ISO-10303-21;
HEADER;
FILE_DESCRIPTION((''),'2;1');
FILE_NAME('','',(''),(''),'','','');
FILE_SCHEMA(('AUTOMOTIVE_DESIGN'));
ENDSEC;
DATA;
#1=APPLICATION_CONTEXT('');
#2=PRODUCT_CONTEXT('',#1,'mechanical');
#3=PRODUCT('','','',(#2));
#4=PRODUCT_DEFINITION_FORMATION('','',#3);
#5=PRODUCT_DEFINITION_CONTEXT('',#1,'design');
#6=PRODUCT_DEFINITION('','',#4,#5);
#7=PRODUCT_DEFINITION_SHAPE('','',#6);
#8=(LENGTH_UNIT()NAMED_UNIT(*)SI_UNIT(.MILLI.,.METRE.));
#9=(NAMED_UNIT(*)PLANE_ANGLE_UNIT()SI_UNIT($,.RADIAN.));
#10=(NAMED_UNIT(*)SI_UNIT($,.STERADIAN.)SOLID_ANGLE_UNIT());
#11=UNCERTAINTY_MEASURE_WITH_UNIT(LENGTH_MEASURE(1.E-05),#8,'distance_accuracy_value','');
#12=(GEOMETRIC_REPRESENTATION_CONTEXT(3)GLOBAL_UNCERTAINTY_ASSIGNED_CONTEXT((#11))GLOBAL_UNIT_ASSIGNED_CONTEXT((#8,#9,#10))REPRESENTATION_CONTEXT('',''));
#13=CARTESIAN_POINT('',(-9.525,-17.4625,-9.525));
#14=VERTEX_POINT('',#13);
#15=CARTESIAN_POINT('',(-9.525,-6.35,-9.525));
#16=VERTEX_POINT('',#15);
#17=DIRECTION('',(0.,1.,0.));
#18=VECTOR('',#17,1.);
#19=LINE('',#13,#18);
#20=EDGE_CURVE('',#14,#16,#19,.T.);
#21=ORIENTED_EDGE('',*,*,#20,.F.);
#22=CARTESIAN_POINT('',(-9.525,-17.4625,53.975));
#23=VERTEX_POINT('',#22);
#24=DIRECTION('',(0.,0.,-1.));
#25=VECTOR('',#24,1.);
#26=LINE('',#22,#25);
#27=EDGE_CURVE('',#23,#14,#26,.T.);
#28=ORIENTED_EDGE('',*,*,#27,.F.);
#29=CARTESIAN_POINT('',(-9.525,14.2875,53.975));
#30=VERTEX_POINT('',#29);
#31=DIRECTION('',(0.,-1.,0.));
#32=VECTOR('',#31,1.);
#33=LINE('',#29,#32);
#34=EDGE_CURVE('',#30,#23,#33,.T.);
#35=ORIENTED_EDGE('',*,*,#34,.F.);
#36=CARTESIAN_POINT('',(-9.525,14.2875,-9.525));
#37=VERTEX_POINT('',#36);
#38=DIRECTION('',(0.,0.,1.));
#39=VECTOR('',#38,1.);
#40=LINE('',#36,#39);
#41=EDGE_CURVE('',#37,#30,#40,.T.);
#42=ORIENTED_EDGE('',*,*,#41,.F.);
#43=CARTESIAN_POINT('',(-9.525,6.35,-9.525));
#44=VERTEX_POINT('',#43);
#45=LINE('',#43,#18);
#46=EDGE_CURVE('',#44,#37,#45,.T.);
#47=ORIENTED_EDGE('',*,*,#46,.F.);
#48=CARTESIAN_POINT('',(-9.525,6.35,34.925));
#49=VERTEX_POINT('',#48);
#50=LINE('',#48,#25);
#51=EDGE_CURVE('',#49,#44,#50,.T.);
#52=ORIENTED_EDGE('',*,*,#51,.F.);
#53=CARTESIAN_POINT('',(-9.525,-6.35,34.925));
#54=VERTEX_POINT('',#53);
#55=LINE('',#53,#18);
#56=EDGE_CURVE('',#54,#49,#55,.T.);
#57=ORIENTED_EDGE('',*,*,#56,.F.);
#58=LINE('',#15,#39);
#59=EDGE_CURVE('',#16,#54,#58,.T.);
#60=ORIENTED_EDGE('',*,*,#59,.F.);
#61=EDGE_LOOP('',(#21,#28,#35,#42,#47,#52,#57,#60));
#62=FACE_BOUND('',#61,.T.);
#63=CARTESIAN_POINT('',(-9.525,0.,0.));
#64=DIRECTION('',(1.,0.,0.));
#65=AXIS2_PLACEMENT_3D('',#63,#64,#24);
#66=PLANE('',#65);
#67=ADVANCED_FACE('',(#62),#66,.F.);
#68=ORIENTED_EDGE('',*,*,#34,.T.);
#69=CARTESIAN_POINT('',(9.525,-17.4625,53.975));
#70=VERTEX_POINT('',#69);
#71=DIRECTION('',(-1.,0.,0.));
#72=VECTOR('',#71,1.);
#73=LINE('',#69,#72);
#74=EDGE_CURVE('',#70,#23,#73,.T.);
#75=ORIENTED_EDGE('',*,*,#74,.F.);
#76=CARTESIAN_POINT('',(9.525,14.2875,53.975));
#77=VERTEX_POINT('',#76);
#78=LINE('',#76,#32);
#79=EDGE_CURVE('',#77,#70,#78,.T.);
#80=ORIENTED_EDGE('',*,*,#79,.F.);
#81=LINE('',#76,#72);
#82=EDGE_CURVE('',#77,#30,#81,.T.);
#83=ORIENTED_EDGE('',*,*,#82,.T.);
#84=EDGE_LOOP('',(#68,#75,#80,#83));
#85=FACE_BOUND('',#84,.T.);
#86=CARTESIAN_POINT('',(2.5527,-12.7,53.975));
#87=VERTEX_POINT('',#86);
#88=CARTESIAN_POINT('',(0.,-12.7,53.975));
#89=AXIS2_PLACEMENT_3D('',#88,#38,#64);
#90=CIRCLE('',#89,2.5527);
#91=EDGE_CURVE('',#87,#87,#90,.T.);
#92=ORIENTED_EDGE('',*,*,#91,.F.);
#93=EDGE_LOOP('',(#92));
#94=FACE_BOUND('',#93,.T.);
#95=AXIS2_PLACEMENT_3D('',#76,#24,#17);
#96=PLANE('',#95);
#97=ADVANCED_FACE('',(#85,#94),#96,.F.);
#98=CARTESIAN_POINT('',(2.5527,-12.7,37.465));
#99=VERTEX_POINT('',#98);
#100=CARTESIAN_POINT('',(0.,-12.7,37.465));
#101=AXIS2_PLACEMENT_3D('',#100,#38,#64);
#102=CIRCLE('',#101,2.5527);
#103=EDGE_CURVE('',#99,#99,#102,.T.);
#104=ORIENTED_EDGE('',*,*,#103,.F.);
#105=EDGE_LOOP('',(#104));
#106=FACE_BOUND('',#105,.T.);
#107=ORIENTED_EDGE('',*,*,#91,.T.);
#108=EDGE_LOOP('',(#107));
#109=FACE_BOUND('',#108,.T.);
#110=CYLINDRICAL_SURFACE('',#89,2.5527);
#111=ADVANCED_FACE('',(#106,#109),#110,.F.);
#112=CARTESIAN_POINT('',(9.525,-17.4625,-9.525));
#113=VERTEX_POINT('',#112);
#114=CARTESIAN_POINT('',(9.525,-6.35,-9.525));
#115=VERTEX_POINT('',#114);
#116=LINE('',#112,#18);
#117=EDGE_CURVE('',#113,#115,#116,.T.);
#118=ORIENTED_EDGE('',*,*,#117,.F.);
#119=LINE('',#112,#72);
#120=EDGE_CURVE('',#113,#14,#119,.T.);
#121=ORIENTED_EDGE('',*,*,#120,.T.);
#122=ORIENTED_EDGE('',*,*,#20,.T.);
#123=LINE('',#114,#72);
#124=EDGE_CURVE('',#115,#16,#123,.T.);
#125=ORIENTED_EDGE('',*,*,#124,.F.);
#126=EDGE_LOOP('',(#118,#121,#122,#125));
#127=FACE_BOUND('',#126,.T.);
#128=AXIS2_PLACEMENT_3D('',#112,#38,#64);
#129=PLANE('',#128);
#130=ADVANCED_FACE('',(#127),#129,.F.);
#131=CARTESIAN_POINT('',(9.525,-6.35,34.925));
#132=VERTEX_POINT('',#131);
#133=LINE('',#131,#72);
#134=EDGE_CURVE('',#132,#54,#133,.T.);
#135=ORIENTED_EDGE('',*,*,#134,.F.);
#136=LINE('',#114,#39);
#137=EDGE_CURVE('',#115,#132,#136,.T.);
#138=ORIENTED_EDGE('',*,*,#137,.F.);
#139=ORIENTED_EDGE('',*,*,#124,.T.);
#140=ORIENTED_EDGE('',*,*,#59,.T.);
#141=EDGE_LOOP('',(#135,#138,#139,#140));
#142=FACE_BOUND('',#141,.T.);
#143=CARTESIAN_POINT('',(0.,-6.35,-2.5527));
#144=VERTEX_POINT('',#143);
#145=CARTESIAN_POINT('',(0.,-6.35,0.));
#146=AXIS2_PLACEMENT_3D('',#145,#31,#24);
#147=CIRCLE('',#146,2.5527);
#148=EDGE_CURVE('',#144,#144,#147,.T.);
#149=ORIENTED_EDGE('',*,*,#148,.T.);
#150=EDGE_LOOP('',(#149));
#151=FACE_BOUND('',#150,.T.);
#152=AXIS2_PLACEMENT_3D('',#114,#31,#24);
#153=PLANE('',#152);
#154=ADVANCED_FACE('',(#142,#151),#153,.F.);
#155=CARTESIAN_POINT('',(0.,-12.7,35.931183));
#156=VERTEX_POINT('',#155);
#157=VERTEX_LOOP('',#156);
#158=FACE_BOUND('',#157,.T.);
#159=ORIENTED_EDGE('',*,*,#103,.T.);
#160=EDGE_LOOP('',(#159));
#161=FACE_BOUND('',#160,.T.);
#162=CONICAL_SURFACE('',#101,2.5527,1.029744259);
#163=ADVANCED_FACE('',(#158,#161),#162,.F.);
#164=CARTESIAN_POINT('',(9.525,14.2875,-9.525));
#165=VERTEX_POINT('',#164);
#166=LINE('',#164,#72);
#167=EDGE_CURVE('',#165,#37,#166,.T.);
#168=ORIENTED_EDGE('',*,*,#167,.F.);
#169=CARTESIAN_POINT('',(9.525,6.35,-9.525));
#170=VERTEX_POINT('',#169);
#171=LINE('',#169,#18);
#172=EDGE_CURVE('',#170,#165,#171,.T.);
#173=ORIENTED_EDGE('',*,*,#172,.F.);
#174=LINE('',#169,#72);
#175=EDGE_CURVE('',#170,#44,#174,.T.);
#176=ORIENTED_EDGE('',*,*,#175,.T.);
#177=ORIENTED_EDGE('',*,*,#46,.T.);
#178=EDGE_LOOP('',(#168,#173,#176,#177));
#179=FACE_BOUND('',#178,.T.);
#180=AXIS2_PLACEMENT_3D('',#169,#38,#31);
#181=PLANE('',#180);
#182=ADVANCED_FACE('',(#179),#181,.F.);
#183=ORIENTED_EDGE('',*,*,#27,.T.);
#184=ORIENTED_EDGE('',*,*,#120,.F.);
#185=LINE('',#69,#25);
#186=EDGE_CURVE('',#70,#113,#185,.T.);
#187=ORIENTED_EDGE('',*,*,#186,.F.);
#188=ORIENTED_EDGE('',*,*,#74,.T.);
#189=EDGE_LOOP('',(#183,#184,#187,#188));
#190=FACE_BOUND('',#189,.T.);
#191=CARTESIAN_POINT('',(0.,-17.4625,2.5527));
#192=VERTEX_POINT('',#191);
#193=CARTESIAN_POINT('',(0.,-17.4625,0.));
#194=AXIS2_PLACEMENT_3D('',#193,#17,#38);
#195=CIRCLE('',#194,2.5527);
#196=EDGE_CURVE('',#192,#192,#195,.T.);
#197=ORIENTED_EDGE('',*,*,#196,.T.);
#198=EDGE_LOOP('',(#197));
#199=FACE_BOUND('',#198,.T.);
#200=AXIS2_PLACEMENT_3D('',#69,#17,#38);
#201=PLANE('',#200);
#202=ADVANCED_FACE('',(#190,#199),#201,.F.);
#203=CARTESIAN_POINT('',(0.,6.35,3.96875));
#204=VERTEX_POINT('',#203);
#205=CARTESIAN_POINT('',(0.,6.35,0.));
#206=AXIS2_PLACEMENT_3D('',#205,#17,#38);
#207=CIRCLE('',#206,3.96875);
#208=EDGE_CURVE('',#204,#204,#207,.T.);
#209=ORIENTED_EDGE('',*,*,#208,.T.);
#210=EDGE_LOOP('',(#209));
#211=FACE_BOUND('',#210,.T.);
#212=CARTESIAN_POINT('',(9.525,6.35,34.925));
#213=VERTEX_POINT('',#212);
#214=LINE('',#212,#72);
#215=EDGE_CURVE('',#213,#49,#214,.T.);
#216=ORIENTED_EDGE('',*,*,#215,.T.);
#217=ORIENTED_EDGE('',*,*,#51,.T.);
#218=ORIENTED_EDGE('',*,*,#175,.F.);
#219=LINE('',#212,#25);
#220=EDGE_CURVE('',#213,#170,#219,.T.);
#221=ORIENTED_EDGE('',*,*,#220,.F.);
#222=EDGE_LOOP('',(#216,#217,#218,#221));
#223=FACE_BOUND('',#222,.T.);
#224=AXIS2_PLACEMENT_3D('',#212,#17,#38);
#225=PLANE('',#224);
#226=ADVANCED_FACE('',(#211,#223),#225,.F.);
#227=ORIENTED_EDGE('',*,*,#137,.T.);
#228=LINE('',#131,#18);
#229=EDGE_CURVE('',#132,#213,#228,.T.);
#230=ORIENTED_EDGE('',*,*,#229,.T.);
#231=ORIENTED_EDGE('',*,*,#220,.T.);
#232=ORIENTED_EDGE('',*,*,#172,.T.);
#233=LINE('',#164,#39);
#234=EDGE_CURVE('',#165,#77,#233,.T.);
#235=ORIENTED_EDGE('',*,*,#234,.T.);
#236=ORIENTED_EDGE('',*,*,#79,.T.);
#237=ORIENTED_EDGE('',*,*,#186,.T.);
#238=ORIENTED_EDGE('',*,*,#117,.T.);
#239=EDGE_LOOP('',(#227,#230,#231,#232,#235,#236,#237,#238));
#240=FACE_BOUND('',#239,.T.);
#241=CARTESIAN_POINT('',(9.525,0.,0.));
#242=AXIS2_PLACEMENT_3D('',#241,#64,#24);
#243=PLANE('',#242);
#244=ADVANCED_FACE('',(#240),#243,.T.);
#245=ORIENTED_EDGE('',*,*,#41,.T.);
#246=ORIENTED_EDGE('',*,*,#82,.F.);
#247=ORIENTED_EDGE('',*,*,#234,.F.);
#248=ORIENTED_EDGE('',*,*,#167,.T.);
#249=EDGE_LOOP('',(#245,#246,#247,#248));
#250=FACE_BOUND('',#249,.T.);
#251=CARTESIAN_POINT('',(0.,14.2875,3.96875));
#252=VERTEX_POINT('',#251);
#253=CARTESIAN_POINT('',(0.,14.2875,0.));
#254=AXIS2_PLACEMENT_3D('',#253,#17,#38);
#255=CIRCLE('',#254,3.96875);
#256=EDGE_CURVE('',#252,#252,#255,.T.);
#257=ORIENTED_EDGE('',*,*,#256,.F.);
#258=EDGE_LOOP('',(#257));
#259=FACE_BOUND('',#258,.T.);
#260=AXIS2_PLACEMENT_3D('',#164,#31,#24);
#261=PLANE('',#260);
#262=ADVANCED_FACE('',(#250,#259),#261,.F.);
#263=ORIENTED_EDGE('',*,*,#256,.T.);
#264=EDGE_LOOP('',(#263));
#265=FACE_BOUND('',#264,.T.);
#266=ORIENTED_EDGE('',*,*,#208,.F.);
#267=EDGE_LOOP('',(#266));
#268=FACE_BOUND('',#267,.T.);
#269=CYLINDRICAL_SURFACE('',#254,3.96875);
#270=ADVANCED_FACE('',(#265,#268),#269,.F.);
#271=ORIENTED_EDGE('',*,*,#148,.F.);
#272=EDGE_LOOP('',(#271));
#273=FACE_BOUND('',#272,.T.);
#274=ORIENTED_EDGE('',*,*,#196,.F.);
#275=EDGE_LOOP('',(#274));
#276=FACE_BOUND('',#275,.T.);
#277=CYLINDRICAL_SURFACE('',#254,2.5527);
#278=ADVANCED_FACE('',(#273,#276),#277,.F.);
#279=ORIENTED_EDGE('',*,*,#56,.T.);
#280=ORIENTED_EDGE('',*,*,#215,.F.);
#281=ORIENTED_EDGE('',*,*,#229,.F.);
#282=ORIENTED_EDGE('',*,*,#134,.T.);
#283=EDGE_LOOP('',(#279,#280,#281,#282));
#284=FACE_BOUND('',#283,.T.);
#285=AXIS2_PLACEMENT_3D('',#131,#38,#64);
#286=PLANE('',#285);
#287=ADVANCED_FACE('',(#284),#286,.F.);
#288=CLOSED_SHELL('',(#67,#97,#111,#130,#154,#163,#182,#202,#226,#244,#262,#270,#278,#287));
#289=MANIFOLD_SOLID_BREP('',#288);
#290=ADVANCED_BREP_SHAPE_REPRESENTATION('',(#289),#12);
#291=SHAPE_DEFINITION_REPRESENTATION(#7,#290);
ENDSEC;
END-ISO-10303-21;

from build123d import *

# Parameters (mm, degrees)
BOSS_EXTRUDE1_DEPTH                = 9.525
F_1_4_20_TAPPED_HOLE1_D            = 5.1054
F_5_16_0_3125_DIAMETER_HOLE1_D     = 7.9375
F_5_16_0_3125_DIAMETER_HOLE1_DEPTH = 20.6365
F_1_4_20_TAPPED_HOLE2_D            = 5.1054
F_1_4_20_TAPPED_HOLE2_DEPTH        = 16.51
F_1_4_20_TAPPED_HOLE2_TIP          = 1.533816902


with BuildPart() as part:
    # Sketch3 → Boss-Extrude1 (new, symmetric)
    with BuildSketch(Plane(origin=(0, 0, 0), x_dir=(0, 0, -1), z_dir=(1, 0, 0))):
        Polygon((-53.975, 14.2875), (-53.975, -17.4625), (9.525, -17.4625), (9.525, -6.35), (-34.925, -6.35), (-34.925, 6.35), (9.525, 6.35), (9.525, 14.2875), align=None)
    extrude(amount=BOSS_EXTRUDE1_DEPTH, both=True)

    # 1/4-20 Tapped Hole1 (through all)
    with Locations(Plane(origin=(0, 14.2875, 0), x_dir=(1, 0, 0), z_dir=(0, 1, 0))):
        with Locations((0, 0)):
            Hole(F_1_4_20_TAPPED_HOLE1_D / 2)

    # 5/16 (0.3125) Diameter Hole1
    with Locations(Plane(origin=(0, 14.2875, 0), x_dir=(1, 0, 0), z_dir=(0, 1, 0))):
        with Locations((0, 0)):
            Hole(F_5_16_0_3125_DIAMETER_HOLE1_D / 2, depth=F_5_16_0_3125_DIAMETER_HOLE1_DEPTH)

    # 1/4-20 Tapped Hole2
    with Locations(Plane.XY.offset(53.975)):
        with Locations((0, -12.7)):
            Hole(F_1_4_20_TAPPED_HOLE2_D / 2, depth=F_1_4_20_TAPPED_HOLE2_DEPTH)
            with Locations((0, 0, -(F_1_4_20_TAPPED_HOLE2_DEPTH + F_1_4_20_TAPPED_HOLE2_TIP / 2))):  # 118° drill point
                Cone(0, F_1_4_20_TAPPED_HOLE2_D / 2, F_1_4_20_TAPPED_HOLE2_TIP, mode=Mode.SUBTRACT)


solid = part.part
